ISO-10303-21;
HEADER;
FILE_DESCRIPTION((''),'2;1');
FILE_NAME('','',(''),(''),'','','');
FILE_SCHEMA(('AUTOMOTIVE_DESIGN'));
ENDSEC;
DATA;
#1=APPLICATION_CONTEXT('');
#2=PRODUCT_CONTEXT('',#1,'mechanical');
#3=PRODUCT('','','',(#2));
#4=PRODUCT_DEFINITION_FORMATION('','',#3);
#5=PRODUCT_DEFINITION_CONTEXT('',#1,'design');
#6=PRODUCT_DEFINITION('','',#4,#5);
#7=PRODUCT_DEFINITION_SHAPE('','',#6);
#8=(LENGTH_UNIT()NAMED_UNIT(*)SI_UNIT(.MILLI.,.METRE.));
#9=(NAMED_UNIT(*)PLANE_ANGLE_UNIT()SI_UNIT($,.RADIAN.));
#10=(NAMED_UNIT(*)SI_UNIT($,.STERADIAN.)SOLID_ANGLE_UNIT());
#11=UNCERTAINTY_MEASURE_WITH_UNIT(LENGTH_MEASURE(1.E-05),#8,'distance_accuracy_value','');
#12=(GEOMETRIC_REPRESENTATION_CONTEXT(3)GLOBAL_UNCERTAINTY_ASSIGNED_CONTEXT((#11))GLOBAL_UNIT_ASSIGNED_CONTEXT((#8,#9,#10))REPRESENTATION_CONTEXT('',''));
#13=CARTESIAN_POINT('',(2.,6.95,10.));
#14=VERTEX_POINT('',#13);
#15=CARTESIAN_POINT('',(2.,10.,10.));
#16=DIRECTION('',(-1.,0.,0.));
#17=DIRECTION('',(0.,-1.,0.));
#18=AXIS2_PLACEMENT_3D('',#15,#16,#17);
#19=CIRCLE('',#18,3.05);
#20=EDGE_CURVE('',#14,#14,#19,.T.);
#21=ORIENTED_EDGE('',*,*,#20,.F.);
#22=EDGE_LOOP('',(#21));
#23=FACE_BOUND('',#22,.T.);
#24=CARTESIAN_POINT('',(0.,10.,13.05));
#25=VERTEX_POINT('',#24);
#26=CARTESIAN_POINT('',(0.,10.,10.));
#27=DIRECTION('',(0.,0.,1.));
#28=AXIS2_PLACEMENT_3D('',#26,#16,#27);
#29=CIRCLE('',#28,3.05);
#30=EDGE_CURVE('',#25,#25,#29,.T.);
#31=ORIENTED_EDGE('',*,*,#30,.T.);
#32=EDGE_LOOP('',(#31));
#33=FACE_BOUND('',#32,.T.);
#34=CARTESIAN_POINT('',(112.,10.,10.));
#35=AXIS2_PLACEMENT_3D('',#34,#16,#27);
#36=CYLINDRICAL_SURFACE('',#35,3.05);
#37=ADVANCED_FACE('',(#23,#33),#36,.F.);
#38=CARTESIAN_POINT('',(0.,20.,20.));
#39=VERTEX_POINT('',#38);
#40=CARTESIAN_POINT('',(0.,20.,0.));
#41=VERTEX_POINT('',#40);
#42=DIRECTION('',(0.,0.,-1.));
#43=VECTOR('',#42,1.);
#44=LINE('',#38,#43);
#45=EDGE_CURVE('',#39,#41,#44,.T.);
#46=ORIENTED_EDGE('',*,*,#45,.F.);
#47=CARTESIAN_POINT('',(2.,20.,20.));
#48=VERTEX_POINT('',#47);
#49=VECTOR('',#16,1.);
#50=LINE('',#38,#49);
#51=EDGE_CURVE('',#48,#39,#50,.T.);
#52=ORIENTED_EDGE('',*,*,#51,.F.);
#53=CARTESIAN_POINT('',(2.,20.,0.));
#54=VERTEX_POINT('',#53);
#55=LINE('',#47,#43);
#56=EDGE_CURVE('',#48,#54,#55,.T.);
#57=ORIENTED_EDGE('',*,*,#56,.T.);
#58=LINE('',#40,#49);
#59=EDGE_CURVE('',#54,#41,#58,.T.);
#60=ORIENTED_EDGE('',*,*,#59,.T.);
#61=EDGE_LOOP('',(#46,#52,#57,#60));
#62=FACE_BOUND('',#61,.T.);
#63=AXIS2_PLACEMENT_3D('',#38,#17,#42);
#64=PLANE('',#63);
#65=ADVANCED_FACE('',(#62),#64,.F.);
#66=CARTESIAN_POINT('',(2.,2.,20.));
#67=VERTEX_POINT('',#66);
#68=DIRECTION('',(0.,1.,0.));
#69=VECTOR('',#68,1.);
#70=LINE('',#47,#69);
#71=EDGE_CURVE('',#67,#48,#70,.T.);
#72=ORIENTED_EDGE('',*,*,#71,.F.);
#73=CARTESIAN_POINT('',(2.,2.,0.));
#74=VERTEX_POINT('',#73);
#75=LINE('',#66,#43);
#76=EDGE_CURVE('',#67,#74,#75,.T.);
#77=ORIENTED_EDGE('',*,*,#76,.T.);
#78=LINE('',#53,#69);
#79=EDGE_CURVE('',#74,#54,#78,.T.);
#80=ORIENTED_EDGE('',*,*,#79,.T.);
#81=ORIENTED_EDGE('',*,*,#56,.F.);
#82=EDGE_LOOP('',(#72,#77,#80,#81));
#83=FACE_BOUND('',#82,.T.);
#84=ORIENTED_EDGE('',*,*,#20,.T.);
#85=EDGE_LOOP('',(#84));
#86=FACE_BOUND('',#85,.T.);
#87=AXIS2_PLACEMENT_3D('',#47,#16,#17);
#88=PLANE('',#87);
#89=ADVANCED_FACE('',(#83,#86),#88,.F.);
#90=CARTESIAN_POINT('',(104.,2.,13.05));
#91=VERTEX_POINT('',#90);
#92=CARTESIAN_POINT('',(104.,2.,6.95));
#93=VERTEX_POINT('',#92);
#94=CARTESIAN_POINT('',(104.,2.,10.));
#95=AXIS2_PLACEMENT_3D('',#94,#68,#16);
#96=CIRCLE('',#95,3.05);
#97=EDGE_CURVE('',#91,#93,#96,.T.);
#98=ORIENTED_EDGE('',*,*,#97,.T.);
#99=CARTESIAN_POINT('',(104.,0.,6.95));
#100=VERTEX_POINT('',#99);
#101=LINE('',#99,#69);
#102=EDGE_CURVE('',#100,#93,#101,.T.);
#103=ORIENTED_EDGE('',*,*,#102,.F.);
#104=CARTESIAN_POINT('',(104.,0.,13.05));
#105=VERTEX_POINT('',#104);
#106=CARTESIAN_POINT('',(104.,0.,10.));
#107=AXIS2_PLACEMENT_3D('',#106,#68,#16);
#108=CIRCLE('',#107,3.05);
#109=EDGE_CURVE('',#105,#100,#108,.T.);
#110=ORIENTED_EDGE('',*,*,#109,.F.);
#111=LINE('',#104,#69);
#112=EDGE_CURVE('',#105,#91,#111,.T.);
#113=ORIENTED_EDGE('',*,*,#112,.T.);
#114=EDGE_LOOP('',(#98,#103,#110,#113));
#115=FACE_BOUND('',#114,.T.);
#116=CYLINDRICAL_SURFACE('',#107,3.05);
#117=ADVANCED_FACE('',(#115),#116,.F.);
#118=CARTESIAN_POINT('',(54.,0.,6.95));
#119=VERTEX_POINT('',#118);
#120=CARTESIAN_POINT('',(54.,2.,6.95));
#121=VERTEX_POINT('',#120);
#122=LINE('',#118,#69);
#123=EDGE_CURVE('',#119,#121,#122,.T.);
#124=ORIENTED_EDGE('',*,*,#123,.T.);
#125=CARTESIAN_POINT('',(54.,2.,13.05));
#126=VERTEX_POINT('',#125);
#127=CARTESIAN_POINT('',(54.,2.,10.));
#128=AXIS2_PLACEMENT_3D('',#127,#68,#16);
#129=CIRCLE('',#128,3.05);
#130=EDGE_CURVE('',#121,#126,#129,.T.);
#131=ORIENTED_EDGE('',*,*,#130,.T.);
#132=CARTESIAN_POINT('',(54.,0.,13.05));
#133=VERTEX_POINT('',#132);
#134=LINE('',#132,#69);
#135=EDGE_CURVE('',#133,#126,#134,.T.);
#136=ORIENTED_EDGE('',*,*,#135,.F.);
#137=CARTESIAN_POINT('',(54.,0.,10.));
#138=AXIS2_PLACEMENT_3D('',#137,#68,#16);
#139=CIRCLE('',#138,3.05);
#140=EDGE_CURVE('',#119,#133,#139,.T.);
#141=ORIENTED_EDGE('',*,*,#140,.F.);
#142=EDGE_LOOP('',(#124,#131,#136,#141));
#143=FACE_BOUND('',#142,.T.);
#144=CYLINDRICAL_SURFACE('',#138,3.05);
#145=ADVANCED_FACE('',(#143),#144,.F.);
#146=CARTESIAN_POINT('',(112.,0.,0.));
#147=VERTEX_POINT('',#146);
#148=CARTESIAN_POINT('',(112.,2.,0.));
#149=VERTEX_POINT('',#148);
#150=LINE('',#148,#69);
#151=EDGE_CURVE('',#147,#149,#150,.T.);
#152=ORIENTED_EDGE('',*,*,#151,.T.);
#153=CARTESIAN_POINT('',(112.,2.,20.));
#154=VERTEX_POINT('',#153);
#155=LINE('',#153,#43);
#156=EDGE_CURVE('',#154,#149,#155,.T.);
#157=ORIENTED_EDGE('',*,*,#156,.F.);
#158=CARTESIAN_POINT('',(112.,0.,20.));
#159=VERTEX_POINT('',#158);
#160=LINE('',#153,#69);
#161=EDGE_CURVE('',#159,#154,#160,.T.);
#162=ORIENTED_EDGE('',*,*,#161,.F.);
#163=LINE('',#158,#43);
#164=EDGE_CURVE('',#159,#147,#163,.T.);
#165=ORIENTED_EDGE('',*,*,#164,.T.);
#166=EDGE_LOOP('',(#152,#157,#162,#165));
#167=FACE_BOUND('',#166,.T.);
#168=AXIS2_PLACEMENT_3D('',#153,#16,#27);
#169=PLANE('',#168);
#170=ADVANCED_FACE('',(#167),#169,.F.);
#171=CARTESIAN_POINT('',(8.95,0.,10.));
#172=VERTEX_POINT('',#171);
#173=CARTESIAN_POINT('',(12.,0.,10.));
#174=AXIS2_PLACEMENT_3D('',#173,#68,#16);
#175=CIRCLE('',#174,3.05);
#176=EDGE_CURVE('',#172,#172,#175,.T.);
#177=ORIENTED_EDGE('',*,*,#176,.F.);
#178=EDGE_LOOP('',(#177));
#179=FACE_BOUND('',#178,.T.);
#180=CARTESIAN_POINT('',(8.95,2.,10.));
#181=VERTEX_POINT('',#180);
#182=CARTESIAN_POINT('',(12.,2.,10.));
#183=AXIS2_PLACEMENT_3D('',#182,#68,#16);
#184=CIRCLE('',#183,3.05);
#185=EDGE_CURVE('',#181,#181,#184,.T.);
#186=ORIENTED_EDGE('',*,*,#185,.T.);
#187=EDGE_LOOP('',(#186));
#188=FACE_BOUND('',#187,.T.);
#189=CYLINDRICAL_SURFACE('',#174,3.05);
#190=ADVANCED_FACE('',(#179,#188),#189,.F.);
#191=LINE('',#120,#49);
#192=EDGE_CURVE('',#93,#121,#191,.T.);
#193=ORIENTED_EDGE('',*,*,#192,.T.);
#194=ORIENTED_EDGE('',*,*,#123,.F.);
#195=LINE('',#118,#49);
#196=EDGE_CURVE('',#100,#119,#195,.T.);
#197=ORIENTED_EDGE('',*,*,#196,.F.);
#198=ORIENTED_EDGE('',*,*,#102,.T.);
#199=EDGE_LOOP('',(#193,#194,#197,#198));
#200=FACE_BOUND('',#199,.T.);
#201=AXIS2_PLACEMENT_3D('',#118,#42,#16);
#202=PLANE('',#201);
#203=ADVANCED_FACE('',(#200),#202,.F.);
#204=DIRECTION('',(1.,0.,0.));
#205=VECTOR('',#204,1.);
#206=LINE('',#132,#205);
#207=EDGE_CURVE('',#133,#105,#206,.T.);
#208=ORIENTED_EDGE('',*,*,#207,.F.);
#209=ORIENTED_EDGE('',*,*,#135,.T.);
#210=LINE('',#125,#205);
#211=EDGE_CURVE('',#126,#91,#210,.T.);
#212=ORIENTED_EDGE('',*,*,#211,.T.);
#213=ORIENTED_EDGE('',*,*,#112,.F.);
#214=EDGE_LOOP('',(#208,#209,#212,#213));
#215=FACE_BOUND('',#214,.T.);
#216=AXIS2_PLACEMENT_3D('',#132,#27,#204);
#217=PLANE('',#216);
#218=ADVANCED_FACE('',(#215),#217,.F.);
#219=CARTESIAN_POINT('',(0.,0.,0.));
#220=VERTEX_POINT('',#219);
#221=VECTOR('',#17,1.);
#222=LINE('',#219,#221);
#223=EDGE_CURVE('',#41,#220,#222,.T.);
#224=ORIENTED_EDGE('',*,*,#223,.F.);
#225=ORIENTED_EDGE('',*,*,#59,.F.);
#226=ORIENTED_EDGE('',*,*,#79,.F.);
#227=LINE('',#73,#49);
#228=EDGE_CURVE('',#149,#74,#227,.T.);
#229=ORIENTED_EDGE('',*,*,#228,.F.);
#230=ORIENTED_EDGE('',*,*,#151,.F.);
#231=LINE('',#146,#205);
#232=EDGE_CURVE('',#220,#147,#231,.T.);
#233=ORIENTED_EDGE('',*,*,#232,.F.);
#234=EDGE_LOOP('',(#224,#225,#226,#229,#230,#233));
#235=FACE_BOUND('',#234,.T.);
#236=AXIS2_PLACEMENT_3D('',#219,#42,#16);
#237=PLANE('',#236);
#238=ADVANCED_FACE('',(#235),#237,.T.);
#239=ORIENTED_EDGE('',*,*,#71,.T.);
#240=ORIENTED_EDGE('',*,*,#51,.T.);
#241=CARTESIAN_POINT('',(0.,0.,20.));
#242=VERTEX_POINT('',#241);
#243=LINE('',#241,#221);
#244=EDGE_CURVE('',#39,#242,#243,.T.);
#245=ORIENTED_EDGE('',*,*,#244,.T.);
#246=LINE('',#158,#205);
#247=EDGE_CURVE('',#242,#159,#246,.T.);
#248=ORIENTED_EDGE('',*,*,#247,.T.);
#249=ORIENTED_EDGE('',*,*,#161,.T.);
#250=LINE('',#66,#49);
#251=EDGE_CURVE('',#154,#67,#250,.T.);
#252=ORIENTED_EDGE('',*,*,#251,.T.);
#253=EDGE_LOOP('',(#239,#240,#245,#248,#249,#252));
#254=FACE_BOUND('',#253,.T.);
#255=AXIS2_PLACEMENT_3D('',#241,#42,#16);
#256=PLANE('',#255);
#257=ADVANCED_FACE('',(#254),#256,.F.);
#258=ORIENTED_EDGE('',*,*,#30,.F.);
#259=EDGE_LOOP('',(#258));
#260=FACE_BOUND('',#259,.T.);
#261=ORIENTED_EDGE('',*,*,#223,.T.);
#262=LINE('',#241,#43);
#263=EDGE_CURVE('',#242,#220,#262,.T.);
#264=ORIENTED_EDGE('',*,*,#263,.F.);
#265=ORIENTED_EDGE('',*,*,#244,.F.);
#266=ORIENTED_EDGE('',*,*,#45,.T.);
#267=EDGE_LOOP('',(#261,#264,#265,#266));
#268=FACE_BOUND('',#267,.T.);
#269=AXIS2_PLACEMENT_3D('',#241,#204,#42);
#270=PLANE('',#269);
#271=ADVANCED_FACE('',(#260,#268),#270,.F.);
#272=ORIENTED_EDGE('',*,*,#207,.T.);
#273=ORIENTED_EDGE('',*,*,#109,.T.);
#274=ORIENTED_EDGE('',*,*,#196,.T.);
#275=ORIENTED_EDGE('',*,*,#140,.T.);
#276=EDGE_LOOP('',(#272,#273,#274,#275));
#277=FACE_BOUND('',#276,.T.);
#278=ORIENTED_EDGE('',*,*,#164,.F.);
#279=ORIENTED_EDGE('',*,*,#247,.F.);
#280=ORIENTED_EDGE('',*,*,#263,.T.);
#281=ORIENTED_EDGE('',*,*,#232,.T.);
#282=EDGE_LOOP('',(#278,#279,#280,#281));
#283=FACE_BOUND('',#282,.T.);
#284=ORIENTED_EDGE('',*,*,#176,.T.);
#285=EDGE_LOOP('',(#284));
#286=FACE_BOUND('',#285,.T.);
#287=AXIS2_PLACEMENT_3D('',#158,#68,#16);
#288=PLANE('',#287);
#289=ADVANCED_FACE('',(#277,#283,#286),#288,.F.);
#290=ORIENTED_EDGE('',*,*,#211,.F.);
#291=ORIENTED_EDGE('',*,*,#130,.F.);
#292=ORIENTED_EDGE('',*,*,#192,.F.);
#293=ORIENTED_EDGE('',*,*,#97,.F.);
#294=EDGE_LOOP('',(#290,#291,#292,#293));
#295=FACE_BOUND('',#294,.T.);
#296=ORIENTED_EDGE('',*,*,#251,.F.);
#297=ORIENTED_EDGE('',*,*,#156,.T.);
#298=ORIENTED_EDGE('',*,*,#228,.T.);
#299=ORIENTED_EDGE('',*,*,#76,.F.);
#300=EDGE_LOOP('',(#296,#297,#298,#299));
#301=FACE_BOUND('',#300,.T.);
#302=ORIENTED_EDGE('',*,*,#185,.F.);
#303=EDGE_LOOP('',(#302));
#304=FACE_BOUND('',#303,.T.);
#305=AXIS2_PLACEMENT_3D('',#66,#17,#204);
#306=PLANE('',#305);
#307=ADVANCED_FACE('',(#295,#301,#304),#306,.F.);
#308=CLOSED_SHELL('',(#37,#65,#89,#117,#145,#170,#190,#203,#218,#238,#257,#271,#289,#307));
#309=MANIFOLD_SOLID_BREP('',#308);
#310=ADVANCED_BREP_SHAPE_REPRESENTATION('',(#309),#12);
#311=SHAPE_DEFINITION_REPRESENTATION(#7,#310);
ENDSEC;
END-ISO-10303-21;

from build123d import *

# Parameters (mm, degrees)
BOSS_EXTRUDE1_DEPTH = 20
SKETCH2_R           = 3.05
CUT_EXTRUDE1_DEPTH  = 116.516232626
SKETCH3_R           = 3.05
CUT_EXTRUDE2_DEPTH  = 116.1868048


with BuildPart() as part:
    # Sketch1 → Boss-Extrude1 (new body)
    with BuildSketch(Plane.XY):
        Polygon((0, 0), (0, 20), (2, 20), (2, 2), (112, 2), (112, 0), align=None)
    extrude(amount=BOSS_EXTRUDE1_DEPTH)

    # Sketch2 → Cut-Extrude1 (cut, through all)
    with BuildSketch(Plane.ZY):
        with Locations((10, 10)):
            Circle(SKETCH2_R)
    extrude(amount=-CUT_EXTRUDE1_DEPTH, mode=Mode.SUBTRACT)

    # Sketch3 → Cut-Extrude2 (cut, through all)
    with BuildSketch(Plane(origin=(0, 2, 0), x_dir=(1, 0, 0), z_dir=(0, 1, 0))):
        with Locations(Location((12, -10, 0), (0, 0, 180))):
            Circle(SKETCH3_R)
        with BuildLine():
            Line((54, -13.05), (104, -13.05))
            ThreePointArc((104, -13.05), (107.05, -10), (104, -6.95))
            Line((104, -6.95), (54, -6.95))
            ThreePointArc((54, -6.95), (50.95, -10), (54, -13.05))
        make_face()
    extrude(amount=-CUT_EXTRUDE2_DEPTH, mode=Mode.SUBTRACT)


solid = part.part
